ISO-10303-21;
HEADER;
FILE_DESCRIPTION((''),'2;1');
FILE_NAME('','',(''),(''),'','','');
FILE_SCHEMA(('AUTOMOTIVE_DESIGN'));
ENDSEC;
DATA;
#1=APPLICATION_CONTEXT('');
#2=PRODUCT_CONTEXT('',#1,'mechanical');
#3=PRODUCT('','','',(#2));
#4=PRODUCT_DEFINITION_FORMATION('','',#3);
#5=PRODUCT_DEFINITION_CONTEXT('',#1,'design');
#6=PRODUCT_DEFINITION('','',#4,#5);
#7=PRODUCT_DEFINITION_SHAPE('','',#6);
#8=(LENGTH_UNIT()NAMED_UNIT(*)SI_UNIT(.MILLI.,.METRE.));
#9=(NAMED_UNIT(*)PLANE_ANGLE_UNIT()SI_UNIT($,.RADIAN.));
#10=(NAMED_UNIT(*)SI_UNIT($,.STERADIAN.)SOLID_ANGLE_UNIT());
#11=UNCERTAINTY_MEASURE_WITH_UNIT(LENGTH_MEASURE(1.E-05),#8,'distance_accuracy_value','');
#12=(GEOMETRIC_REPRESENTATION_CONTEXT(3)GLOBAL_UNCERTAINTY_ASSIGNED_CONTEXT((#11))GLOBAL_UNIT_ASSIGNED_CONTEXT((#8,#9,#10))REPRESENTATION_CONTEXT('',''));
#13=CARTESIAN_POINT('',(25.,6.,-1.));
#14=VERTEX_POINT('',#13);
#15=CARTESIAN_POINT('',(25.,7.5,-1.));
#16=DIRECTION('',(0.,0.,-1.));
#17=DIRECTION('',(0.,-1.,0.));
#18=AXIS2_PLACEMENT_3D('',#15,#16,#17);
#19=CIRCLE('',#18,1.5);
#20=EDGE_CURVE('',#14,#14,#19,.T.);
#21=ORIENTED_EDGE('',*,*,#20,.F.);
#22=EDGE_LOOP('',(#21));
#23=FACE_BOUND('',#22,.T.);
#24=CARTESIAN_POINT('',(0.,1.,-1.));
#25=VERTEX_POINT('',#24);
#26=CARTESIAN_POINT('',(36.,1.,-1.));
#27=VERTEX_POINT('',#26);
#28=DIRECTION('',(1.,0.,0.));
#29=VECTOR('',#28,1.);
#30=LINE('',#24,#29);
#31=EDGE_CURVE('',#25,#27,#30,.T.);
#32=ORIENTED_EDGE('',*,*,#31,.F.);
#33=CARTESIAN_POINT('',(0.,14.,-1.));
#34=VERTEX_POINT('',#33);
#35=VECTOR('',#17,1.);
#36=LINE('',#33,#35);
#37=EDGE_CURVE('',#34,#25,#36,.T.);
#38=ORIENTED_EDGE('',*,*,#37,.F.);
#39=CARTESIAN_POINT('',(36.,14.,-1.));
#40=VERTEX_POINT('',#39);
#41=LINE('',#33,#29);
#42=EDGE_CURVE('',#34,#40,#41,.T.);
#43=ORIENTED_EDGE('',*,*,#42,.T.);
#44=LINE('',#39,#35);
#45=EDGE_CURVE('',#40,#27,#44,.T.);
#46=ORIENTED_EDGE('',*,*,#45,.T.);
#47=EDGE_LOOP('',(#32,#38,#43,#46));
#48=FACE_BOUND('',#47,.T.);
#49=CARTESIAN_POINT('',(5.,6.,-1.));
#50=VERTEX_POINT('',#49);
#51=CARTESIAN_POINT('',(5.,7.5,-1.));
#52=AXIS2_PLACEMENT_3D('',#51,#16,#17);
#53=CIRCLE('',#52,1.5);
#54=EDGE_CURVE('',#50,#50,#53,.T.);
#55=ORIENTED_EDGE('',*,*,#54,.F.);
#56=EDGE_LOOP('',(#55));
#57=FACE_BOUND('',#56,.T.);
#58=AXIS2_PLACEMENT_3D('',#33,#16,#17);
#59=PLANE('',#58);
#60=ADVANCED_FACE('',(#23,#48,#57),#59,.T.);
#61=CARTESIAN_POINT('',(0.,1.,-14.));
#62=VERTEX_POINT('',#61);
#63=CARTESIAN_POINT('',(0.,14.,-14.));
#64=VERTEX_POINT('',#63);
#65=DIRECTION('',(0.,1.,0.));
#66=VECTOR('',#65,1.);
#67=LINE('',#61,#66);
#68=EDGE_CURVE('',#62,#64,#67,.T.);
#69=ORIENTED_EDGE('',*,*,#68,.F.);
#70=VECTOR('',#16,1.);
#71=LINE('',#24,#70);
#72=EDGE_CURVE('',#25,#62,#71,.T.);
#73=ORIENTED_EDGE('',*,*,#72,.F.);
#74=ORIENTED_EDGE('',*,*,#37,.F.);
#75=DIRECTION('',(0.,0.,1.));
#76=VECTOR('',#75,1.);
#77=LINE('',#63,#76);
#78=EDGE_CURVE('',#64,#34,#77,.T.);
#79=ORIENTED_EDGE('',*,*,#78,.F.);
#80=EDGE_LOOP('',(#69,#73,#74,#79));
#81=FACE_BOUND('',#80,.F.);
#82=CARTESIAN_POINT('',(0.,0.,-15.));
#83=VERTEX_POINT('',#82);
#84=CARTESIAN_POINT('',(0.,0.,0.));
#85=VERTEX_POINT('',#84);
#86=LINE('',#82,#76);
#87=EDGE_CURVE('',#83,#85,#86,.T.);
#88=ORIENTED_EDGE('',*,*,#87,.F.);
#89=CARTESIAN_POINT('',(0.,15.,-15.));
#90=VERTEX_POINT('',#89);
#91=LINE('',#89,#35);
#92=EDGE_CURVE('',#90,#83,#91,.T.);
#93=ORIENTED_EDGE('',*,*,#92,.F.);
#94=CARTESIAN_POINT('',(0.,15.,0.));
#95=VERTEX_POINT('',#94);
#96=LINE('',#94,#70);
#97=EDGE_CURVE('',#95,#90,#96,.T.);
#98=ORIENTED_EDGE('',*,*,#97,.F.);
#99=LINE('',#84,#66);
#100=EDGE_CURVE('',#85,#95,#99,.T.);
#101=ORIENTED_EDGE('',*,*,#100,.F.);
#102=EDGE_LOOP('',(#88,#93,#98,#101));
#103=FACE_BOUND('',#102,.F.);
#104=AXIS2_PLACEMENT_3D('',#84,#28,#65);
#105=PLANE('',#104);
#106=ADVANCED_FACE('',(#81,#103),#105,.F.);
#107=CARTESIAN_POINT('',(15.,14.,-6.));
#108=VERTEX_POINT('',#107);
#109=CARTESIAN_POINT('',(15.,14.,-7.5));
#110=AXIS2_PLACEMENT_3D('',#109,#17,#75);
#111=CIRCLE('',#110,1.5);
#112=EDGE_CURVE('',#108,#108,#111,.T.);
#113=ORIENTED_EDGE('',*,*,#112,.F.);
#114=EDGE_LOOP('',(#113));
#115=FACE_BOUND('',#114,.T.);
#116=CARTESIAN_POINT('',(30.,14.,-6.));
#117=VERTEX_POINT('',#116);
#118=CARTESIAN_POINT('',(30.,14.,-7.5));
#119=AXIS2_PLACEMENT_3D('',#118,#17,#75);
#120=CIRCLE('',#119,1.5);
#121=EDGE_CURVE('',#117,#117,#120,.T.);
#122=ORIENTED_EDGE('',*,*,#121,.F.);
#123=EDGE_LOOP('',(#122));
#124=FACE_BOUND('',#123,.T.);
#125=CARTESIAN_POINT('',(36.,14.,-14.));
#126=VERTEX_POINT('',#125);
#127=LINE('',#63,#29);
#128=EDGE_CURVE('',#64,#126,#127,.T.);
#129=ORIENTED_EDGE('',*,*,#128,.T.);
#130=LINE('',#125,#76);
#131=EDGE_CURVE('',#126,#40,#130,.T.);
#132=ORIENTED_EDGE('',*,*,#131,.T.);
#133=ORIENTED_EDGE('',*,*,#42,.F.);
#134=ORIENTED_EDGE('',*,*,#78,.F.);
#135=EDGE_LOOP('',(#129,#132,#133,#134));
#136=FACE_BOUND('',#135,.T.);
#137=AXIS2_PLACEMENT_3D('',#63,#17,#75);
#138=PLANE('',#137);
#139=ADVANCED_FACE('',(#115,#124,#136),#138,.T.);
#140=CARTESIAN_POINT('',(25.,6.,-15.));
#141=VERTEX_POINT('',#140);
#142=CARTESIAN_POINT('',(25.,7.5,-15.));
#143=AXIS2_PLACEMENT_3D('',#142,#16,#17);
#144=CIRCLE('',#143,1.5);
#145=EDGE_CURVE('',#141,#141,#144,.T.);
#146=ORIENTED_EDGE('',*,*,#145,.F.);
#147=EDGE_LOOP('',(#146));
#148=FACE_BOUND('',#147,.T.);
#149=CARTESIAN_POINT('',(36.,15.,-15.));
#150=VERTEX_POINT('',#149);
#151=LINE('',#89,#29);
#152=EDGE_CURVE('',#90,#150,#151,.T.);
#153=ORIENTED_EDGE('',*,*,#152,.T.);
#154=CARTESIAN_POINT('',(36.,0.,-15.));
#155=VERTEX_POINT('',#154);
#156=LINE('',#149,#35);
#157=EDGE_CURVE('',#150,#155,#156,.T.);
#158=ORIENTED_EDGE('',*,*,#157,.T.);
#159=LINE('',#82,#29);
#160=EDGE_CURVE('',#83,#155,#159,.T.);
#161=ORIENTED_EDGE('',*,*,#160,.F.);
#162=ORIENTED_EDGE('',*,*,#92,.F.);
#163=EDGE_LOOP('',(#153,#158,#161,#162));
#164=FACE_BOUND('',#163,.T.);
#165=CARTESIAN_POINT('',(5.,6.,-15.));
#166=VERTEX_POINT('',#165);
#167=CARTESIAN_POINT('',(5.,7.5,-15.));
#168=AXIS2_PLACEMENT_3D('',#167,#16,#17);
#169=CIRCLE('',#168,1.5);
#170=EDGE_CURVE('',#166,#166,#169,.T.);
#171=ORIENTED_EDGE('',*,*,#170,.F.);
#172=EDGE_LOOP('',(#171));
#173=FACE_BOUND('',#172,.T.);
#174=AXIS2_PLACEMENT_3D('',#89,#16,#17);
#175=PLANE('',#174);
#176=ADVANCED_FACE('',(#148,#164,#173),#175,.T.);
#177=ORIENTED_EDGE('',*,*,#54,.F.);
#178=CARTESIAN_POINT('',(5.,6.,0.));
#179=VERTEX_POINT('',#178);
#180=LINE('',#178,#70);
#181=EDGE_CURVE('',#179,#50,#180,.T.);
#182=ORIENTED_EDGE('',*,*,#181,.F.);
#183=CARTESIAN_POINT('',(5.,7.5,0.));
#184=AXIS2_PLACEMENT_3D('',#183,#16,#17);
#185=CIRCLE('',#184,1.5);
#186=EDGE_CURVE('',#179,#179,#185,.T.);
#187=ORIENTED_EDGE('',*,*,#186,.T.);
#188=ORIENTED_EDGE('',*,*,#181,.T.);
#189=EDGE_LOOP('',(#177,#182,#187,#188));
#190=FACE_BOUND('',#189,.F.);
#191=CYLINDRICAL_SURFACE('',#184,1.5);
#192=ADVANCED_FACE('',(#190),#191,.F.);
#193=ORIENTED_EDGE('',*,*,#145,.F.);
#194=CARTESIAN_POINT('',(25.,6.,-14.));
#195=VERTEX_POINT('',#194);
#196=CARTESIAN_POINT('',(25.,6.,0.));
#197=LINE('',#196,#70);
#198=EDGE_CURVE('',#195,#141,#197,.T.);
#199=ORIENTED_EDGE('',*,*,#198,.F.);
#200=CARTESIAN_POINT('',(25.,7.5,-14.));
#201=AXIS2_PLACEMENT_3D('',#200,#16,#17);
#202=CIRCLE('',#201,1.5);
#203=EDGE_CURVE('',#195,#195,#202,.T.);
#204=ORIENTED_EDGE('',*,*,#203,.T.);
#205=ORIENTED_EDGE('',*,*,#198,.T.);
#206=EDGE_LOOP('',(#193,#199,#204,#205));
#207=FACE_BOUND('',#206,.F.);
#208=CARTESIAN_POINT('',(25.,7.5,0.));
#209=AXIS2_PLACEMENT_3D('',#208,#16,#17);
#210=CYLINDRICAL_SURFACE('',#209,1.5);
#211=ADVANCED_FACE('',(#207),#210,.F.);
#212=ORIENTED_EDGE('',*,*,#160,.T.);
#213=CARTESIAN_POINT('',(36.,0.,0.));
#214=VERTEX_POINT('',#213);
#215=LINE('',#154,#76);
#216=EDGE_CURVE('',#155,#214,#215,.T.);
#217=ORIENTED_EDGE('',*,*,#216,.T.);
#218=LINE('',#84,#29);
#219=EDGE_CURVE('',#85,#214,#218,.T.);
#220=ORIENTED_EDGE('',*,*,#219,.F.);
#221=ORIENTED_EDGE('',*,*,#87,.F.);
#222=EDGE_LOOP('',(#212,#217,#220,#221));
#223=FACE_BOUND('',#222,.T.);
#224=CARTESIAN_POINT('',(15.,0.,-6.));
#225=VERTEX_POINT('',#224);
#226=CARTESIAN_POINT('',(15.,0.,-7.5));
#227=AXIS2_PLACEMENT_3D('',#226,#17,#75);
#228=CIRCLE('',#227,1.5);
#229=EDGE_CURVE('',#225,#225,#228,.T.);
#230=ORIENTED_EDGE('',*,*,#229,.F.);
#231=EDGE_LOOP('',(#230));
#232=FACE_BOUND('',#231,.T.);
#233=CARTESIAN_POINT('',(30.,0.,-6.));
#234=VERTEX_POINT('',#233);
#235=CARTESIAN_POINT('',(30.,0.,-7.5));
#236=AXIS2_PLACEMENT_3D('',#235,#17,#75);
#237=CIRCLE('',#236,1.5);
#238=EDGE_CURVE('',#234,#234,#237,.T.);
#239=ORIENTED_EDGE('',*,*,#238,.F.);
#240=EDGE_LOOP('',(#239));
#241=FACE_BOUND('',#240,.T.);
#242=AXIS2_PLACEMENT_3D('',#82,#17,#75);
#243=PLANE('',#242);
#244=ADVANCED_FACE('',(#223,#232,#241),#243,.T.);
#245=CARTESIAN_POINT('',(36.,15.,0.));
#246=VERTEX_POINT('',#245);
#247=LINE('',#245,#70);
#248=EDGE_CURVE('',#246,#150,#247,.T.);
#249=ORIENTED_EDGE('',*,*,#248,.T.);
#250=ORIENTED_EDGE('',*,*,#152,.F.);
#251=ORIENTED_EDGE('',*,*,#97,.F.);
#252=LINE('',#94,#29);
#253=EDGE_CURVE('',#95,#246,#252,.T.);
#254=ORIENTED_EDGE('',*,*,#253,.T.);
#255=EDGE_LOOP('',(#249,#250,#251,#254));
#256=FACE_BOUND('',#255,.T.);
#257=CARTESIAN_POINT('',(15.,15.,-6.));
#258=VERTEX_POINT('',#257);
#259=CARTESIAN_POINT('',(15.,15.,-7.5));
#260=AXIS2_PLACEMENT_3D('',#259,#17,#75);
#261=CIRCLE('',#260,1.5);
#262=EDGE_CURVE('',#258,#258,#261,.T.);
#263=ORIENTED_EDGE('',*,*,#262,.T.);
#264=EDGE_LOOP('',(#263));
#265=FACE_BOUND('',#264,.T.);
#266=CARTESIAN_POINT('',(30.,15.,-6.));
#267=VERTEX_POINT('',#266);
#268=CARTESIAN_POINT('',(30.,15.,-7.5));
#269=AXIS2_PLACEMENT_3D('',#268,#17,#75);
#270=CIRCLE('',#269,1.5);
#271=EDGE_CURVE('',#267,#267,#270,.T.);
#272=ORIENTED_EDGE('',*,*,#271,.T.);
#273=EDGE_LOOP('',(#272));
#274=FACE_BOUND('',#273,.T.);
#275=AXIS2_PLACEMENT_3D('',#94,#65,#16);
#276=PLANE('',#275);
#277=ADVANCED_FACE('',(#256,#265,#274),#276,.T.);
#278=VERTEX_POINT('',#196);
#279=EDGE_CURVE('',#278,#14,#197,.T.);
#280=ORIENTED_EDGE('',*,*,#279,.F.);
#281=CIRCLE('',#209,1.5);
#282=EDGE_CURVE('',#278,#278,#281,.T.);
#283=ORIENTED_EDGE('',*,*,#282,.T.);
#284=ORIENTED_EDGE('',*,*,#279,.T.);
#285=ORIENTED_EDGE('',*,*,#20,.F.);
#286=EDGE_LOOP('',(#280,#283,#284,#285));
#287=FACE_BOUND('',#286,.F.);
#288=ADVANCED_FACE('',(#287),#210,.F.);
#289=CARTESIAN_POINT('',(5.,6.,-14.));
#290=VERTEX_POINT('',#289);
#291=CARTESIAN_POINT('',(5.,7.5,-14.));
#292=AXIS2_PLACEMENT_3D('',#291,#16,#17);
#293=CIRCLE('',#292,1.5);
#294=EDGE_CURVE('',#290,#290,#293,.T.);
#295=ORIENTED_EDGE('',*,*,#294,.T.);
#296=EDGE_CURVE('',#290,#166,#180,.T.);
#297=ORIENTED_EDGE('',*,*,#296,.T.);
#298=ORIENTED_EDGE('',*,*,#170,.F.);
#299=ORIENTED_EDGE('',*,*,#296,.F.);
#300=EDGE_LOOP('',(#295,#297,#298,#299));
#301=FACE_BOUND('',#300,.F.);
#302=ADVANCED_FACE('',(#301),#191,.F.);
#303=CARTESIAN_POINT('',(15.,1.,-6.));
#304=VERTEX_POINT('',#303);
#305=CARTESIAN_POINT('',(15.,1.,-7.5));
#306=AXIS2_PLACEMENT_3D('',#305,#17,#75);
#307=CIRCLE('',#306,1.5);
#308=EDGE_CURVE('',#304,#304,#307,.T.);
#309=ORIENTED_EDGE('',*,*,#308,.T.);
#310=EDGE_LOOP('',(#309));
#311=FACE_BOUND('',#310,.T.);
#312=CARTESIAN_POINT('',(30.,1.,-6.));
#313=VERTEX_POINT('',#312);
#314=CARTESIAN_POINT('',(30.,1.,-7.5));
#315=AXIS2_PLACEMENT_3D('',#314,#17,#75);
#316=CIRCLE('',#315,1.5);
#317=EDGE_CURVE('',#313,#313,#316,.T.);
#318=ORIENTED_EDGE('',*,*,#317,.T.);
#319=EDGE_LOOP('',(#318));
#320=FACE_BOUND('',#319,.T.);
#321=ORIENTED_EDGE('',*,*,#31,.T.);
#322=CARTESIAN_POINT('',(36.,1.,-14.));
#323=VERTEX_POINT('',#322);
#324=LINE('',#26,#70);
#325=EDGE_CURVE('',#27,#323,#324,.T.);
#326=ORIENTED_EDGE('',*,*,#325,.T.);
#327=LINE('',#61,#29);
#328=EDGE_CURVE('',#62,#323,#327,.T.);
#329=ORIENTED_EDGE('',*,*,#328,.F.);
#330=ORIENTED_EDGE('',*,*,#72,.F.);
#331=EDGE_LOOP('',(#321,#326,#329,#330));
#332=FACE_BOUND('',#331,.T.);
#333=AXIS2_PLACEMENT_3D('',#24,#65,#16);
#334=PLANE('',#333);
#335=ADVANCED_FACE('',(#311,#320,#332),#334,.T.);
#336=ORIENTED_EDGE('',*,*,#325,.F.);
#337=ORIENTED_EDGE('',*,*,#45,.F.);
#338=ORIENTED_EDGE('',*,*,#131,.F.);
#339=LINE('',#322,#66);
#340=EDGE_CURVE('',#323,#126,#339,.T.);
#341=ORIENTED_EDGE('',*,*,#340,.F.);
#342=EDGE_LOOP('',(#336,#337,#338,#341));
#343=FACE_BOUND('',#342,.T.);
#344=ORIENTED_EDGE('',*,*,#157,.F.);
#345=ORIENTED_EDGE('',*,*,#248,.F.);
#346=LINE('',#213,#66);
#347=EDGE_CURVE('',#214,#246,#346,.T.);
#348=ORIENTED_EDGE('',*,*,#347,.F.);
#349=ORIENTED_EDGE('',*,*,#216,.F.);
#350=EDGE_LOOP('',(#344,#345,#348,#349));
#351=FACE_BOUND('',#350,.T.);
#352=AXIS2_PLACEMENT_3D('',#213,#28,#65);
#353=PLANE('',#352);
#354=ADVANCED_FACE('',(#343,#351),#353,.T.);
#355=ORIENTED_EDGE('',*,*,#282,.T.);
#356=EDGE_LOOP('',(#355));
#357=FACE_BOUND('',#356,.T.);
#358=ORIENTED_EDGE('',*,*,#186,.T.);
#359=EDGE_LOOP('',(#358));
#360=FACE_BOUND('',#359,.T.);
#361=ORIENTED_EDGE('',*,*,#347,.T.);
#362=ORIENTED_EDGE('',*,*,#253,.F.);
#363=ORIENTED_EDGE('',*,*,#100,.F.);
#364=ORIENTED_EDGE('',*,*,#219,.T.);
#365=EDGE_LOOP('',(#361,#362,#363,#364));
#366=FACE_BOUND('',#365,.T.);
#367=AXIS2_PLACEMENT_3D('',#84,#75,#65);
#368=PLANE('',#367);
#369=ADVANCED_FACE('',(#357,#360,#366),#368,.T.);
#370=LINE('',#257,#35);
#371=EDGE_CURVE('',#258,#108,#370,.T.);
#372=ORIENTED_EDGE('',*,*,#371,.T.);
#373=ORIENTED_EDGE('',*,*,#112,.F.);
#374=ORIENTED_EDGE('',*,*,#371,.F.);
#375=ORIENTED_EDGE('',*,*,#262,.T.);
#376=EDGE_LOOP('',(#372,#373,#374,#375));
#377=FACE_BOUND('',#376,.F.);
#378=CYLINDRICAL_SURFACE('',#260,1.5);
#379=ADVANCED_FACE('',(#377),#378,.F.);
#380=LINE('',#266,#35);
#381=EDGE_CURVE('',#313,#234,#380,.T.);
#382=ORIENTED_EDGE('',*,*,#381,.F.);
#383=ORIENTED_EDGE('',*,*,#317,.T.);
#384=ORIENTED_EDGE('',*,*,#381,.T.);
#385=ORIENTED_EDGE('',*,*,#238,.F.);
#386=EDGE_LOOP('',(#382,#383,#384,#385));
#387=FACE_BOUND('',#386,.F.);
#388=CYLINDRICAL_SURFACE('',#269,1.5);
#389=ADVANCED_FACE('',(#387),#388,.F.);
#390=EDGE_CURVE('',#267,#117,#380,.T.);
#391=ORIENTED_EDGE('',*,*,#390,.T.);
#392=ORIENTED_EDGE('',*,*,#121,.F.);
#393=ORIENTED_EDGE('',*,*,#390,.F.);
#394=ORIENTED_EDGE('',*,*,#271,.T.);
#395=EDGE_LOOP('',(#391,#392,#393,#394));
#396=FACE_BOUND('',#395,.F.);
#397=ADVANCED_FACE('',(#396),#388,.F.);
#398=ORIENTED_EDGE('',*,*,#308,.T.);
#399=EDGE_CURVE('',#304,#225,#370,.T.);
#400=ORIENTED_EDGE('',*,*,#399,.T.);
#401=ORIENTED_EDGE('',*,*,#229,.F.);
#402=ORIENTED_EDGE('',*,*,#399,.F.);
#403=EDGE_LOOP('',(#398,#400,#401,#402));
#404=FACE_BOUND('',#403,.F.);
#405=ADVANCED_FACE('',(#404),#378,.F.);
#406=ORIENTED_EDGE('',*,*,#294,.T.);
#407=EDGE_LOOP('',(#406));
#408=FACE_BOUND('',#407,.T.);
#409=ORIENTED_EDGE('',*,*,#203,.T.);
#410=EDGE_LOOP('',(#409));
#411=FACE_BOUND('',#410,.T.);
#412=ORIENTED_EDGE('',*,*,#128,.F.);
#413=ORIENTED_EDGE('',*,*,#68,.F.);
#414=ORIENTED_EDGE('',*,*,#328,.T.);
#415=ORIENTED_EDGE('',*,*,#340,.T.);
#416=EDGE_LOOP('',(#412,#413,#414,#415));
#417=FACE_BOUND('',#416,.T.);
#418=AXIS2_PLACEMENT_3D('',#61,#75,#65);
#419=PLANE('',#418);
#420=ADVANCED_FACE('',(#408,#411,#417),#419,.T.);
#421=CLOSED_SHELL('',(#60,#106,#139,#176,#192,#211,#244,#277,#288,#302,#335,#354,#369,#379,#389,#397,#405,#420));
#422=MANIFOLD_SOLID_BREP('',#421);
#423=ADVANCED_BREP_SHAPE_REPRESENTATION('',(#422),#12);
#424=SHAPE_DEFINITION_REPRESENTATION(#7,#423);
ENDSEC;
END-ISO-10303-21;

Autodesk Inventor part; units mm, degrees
ref_plane "YZ Plane" through (0, 0, 0) normal (1, 0, 0) x (0, 1, 0)
ref_plane "XZ Plane" through (0, 0, 0) normal (0, 1, 0) x (-1, 0, 0)
ref_plane "XY Plane" through (0, 0, 0) normal (0, 0, 1) x (1, 0, 0)
sketch "スケッチ1" plane through (0, 0, 0) normal (1, 0, 0) x (0, 1, 0)
  line L0 (0, 0) -> (15, 0)
  line L1 (15, 0) -> (15, -15)
  line L2 (15, -15) -> (0, -15)
  line L3 (0, -15) -> (0, 0)
  line L4 (14, -14) -> (14, -1)
  line L5 (14, -1) -> (1, -1)
  line L6 (1, -1) -> (1, -14)
  line L7 (1, -14) -> (14, -14)
  dimension "d0" = 15
  dimension "d1" = 15
  dimension "d2" = 1
extrude "押し出し1" add sketch "スケッチ1" along normal blind 36
sketch "スケッチ2" plane through (0, 0, 0) normal (0, 0, 1) x (1, 0, 0)
  line L0 (0, 15) -> (0, 0) projected
  line L1 (0, 0) -> (36, 0) projected
  point P0 (5, 7.5)
  point P1 (25, 7.5)
  dimension "d5" = 5
  dimension "d6" = 20
  dimension "d7" = 7.5
  dimension "d8" = 7.5
sketch "スケッチ3" plane through (0, 15, 0) normal (0, 1, 0) x (1, 0, 0)
  line L0 (0, 15) -> (0, 0) projected
  line L1 (0, 0) -> (36, 0) projected
  point P0 (15, 7.5)
  point P1 (30, 7.5)
  dimension "d9" = 15
  dimension "d10" = 15
  dimension "d11" = 7.5
  dimension "d12" = 7.5
hole "穴1" at (5, 7.5, 0) at (25, 7.5, 0) direction (0, 0, -1) diameter 3 end through all
hole "穴2" at (15, 15, -7.5) at (30, 15, -7.5) direction (0, -1, 0) diameter 3 end through all
equation "\"d8\" = d7"
equation "\"d12\" = d11"
properties part number "hand-grab-v2-ASP-arm-F-1" material "アルミニウム 6061"
